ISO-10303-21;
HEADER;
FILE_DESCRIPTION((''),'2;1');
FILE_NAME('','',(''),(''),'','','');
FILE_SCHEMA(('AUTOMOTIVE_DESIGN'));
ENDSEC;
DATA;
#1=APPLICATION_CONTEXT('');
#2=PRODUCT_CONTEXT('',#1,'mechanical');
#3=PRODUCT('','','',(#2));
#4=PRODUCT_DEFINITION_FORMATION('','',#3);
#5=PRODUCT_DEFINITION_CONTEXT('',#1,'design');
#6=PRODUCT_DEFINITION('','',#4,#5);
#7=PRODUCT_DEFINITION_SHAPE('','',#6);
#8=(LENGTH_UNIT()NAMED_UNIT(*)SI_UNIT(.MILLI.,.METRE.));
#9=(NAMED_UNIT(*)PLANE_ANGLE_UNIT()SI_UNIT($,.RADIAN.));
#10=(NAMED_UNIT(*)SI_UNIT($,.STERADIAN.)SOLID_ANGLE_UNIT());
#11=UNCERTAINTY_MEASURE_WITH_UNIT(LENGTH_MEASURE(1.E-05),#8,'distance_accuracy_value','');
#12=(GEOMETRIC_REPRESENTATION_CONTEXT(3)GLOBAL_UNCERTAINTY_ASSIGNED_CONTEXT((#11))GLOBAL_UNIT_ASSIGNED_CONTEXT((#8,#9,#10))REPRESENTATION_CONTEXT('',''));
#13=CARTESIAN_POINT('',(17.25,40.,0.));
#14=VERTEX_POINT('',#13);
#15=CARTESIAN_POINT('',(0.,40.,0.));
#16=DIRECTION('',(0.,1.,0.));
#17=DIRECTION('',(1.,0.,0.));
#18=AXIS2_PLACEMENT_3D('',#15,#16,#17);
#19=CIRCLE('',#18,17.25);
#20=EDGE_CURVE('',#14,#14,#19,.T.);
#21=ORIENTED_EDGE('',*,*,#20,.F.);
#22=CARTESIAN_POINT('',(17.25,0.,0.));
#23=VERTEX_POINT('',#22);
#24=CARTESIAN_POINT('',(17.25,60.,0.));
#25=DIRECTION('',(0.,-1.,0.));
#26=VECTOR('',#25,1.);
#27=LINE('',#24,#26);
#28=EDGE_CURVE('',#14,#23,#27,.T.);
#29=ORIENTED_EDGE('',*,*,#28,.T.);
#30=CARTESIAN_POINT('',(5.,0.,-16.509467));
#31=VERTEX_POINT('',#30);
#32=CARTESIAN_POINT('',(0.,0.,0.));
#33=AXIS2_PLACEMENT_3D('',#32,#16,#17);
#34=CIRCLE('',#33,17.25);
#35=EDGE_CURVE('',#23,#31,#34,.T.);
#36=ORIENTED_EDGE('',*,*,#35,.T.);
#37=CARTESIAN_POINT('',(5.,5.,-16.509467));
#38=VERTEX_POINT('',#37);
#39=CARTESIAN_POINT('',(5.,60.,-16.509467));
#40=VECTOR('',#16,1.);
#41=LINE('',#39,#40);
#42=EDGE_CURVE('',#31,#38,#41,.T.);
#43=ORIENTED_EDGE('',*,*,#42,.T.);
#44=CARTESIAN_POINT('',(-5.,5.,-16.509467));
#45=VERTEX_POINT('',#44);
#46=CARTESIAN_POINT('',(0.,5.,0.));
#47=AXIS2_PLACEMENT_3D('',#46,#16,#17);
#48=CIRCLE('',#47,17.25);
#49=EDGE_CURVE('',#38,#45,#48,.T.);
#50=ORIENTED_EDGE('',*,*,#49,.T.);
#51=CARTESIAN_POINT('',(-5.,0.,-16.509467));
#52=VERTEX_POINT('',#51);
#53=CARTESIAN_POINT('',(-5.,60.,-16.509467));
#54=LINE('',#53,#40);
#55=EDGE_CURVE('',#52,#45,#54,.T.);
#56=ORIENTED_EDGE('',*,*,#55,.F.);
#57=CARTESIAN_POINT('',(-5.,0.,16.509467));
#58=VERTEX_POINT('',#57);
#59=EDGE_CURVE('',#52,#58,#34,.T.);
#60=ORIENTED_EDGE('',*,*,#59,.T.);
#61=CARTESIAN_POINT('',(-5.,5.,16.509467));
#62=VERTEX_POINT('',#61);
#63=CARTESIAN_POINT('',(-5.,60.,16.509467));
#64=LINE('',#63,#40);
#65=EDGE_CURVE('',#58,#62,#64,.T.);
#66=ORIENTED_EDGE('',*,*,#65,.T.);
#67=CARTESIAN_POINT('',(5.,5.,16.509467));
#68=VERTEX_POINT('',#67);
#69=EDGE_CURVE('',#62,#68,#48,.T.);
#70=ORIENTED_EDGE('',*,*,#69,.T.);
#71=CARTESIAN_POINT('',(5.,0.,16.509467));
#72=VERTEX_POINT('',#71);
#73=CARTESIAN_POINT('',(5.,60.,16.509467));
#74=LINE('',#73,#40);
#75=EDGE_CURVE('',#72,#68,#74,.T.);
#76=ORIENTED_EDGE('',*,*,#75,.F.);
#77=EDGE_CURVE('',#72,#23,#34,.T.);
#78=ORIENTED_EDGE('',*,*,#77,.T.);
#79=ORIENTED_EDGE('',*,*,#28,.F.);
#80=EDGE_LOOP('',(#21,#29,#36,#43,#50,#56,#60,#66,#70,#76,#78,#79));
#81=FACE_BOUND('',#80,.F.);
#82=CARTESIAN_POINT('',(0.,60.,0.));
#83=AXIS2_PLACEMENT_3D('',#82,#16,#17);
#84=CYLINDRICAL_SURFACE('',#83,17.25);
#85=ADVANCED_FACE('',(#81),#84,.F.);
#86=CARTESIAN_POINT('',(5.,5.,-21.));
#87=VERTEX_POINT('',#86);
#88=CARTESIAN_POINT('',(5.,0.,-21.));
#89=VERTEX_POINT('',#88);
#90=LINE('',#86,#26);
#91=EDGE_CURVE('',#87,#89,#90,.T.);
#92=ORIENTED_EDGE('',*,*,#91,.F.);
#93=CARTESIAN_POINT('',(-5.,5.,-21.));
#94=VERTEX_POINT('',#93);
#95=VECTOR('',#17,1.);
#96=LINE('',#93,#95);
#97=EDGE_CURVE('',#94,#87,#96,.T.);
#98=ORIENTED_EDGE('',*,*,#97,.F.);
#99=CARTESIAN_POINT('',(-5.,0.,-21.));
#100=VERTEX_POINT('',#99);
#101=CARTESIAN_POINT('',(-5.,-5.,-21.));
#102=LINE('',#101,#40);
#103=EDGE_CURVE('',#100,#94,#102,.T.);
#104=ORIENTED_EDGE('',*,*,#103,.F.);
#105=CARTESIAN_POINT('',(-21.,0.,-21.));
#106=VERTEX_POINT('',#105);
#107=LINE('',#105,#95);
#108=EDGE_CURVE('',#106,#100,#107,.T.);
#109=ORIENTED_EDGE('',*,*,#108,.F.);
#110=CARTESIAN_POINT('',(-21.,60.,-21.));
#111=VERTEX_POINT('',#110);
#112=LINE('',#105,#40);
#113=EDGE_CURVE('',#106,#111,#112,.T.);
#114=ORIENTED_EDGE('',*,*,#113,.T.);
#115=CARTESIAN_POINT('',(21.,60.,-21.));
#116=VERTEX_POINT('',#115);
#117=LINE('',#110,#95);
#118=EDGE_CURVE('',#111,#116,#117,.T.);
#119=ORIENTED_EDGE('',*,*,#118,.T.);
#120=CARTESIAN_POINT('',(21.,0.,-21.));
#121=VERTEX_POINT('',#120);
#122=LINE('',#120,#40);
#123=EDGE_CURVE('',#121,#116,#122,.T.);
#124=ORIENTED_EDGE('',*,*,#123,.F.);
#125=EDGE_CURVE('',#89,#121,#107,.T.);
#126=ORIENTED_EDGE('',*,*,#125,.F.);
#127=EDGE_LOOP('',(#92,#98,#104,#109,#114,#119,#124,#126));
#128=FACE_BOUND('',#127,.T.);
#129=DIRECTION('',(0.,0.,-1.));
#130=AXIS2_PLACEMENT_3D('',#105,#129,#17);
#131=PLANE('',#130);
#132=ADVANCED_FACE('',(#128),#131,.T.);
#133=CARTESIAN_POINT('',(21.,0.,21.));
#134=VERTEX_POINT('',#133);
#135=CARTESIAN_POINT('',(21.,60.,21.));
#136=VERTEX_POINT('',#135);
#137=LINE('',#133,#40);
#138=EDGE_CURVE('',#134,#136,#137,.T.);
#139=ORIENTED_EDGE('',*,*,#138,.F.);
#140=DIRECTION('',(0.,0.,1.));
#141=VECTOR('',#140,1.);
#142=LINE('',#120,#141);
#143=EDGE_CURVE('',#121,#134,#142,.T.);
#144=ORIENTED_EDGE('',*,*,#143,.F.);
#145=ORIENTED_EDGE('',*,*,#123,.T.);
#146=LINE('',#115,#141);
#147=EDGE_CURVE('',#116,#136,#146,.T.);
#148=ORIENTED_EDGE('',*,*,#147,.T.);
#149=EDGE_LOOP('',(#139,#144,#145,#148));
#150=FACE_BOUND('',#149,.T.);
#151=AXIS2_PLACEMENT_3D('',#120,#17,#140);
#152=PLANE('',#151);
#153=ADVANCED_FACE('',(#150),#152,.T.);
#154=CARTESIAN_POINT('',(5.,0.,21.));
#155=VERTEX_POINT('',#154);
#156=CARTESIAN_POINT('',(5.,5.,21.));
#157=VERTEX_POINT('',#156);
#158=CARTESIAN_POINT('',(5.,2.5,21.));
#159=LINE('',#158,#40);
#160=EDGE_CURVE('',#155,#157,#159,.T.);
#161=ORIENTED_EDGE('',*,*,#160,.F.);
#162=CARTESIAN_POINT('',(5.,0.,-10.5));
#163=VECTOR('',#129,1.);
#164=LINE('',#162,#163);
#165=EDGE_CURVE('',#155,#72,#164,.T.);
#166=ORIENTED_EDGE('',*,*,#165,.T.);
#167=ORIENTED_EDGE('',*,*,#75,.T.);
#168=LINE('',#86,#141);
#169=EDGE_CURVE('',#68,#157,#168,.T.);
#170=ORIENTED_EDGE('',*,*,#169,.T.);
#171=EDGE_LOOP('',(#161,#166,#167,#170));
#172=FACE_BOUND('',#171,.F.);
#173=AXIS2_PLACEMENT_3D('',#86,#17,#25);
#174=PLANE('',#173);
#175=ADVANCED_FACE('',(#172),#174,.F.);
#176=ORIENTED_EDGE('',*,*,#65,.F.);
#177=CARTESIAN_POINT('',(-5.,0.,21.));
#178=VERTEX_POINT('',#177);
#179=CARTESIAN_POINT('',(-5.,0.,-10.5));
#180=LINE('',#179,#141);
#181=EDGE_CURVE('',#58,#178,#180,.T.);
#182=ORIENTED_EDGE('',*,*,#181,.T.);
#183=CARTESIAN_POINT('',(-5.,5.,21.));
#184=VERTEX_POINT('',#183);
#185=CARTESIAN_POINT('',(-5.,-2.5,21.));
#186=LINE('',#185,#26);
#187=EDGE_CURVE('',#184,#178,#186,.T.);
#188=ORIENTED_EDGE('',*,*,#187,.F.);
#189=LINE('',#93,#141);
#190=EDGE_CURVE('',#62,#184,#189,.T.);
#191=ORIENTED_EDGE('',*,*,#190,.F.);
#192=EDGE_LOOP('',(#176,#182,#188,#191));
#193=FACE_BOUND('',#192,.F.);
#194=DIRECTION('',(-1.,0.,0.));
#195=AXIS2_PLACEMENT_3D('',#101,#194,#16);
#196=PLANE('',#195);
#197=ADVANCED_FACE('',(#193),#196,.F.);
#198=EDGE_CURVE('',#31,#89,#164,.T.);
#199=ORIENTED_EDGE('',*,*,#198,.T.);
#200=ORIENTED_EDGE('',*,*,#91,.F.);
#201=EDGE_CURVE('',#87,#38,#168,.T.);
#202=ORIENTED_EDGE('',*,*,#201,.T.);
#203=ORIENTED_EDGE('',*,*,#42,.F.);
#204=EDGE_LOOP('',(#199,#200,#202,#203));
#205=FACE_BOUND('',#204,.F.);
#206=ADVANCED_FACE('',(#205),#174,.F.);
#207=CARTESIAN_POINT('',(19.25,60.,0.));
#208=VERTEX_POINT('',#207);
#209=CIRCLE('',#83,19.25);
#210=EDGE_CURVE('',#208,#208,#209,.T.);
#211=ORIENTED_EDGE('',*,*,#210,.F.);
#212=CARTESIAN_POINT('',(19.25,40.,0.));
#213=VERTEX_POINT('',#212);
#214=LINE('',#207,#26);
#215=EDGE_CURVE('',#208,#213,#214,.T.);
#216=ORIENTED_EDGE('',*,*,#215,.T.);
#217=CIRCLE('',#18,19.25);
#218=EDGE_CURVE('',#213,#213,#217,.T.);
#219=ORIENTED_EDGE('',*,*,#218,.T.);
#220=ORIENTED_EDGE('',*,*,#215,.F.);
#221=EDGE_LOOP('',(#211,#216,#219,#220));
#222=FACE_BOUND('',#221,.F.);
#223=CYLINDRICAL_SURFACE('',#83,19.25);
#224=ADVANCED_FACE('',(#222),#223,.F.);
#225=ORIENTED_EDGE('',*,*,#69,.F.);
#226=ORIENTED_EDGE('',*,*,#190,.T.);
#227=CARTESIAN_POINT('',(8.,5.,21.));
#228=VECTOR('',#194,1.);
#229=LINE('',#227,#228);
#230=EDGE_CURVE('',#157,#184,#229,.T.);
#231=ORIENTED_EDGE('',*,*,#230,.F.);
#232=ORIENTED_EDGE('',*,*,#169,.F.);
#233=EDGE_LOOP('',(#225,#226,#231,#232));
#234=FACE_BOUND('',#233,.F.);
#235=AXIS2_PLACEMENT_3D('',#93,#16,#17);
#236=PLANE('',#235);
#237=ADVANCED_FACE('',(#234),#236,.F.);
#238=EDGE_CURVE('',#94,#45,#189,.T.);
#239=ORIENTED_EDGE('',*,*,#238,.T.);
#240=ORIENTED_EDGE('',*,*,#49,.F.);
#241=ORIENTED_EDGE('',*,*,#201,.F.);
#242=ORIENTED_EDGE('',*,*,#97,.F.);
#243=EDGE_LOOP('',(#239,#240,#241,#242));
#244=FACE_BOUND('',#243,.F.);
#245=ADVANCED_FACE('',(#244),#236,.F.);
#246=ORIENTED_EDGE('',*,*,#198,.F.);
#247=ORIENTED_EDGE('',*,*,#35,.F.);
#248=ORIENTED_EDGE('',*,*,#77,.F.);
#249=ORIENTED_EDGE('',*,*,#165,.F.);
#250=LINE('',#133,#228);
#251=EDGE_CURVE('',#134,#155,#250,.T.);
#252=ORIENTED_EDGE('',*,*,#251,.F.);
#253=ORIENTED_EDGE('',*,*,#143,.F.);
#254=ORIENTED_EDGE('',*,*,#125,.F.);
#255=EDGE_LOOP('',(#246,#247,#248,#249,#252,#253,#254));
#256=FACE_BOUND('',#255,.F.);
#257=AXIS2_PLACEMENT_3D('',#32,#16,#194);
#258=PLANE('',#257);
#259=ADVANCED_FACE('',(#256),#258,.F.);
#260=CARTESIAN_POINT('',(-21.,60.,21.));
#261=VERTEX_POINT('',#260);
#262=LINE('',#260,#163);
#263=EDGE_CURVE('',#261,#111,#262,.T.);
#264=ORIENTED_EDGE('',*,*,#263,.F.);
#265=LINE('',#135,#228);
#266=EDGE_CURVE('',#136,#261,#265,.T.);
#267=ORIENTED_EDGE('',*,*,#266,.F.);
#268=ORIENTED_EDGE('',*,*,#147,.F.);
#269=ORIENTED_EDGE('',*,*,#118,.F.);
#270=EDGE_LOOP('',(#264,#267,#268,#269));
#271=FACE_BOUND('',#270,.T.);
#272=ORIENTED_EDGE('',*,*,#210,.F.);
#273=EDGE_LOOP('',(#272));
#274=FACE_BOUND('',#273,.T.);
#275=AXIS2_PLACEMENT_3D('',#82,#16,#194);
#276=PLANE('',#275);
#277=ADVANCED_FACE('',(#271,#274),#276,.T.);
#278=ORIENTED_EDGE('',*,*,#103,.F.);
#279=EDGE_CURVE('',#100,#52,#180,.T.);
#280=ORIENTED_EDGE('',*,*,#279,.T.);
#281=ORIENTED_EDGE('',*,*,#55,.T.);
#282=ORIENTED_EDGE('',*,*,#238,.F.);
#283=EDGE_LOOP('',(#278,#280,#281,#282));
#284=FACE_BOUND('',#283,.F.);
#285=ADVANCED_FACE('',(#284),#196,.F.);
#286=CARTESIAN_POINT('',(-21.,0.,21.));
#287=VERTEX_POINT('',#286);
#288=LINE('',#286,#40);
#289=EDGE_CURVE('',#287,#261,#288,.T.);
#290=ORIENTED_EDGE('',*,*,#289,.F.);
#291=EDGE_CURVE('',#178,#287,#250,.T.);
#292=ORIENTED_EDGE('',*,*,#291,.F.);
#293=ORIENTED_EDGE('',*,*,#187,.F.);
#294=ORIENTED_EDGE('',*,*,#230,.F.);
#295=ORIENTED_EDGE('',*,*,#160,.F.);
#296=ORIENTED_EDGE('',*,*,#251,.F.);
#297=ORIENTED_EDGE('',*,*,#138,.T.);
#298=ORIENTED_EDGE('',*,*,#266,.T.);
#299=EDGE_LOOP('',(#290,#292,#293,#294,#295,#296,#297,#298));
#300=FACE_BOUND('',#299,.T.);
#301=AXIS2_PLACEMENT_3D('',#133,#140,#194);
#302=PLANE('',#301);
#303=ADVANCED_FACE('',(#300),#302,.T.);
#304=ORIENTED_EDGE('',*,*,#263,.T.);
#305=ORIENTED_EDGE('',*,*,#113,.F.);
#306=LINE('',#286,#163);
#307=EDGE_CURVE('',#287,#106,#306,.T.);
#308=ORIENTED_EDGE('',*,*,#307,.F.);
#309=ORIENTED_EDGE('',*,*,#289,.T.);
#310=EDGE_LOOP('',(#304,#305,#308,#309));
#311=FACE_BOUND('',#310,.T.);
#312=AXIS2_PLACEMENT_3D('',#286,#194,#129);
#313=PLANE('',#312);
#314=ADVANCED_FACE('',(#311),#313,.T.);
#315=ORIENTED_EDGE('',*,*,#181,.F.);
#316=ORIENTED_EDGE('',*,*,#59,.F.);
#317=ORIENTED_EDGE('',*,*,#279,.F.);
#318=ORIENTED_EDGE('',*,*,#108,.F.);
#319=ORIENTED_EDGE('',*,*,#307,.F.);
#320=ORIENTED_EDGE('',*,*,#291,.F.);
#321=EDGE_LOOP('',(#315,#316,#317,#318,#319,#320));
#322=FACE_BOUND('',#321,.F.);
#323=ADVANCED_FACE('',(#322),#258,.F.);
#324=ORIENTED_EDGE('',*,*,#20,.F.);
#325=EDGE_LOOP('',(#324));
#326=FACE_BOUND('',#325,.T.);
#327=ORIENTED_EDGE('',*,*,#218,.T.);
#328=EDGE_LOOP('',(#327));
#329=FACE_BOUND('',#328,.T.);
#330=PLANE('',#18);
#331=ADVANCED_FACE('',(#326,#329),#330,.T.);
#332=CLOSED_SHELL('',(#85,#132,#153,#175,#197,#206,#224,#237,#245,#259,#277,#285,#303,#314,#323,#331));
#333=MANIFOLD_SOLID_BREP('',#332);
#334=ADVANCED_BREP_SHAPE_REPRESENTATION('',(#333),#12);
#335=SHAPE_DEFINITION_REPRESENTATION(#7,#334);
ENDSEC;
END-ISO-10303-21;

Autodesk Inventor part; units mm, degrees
ref_plane "YZ Plane" through (0, 0, 0) normal (1, 0, 0) x (0, 1, 0)
ref_plane "XZ Plane" through (0, 0, 0) normal (0, 1, 0) x (-1, 0, 0)
ref_plane "XY Plane" through (0, 0, 0) normal (0, 0, 1) x (1, 0, 0)
sketch "Sketch1" plane through (0, 0, 0) normal (0, 1, 0) x (-1, 0, 0)
  line L0 (-21, 21) -> (21, 21)
  line L1 (21, 21) -> (21, -21)
  line L2 (21, -21) -> (-21, -21)
  line L3 (-21, -21) -> (-21, 21)
  line L4 (-21, 21) -> (21, -21) construction
  line L5 (21, 21) -> (-21, -21) construction
  point P0 (0, 0)
  dimension "d0" = 42
  dimension "d1" = 42
extrude "Extrusion1" add sketch "Sketch1" along normal blind 60
sketch "Sketch2" plane through (0, 60, 0) normal (0, 1, 0) x (1, 0, 0)
  circle A0 centre (0, 0) radius 17.25
  dimension "d4" = 34.5
extrude "Extrusion2" cut sketch "Sketch2" against normal through all
sketch "Sketch3" plane through (0, 60, 0) normal (0, 1, 0) x (1, 0, 0)
  circle A0 centre (0, 0) radius 19.25
  dimension "d7" = 38.5
extrude "Extrusion3" cut sketch "Sketch3" against normal blind 20
sketch "Sketch4" plane through (21, 0, -21) normal (0, 0, -1) x (-1, 0, 0)
  line L0 (16, -5) -> (26, -5)
  line L1 (26, -5) -> (26, 5)
  line L2 (26, 5) -> (16, 5)
  line L3 (16, 5) -> (16, -5)
  line L4 (16, -5) -> (26, 5) construction
  line L5 (26, -5) -> (16, 5) construction
  point P0 (21, 0)
  dimension "d10" = 10
  dimension "d11" = 10
extrude "Extrusion4" cut sketch "Sketch4" against normal through all
properties part number "DCMotorHolder"
